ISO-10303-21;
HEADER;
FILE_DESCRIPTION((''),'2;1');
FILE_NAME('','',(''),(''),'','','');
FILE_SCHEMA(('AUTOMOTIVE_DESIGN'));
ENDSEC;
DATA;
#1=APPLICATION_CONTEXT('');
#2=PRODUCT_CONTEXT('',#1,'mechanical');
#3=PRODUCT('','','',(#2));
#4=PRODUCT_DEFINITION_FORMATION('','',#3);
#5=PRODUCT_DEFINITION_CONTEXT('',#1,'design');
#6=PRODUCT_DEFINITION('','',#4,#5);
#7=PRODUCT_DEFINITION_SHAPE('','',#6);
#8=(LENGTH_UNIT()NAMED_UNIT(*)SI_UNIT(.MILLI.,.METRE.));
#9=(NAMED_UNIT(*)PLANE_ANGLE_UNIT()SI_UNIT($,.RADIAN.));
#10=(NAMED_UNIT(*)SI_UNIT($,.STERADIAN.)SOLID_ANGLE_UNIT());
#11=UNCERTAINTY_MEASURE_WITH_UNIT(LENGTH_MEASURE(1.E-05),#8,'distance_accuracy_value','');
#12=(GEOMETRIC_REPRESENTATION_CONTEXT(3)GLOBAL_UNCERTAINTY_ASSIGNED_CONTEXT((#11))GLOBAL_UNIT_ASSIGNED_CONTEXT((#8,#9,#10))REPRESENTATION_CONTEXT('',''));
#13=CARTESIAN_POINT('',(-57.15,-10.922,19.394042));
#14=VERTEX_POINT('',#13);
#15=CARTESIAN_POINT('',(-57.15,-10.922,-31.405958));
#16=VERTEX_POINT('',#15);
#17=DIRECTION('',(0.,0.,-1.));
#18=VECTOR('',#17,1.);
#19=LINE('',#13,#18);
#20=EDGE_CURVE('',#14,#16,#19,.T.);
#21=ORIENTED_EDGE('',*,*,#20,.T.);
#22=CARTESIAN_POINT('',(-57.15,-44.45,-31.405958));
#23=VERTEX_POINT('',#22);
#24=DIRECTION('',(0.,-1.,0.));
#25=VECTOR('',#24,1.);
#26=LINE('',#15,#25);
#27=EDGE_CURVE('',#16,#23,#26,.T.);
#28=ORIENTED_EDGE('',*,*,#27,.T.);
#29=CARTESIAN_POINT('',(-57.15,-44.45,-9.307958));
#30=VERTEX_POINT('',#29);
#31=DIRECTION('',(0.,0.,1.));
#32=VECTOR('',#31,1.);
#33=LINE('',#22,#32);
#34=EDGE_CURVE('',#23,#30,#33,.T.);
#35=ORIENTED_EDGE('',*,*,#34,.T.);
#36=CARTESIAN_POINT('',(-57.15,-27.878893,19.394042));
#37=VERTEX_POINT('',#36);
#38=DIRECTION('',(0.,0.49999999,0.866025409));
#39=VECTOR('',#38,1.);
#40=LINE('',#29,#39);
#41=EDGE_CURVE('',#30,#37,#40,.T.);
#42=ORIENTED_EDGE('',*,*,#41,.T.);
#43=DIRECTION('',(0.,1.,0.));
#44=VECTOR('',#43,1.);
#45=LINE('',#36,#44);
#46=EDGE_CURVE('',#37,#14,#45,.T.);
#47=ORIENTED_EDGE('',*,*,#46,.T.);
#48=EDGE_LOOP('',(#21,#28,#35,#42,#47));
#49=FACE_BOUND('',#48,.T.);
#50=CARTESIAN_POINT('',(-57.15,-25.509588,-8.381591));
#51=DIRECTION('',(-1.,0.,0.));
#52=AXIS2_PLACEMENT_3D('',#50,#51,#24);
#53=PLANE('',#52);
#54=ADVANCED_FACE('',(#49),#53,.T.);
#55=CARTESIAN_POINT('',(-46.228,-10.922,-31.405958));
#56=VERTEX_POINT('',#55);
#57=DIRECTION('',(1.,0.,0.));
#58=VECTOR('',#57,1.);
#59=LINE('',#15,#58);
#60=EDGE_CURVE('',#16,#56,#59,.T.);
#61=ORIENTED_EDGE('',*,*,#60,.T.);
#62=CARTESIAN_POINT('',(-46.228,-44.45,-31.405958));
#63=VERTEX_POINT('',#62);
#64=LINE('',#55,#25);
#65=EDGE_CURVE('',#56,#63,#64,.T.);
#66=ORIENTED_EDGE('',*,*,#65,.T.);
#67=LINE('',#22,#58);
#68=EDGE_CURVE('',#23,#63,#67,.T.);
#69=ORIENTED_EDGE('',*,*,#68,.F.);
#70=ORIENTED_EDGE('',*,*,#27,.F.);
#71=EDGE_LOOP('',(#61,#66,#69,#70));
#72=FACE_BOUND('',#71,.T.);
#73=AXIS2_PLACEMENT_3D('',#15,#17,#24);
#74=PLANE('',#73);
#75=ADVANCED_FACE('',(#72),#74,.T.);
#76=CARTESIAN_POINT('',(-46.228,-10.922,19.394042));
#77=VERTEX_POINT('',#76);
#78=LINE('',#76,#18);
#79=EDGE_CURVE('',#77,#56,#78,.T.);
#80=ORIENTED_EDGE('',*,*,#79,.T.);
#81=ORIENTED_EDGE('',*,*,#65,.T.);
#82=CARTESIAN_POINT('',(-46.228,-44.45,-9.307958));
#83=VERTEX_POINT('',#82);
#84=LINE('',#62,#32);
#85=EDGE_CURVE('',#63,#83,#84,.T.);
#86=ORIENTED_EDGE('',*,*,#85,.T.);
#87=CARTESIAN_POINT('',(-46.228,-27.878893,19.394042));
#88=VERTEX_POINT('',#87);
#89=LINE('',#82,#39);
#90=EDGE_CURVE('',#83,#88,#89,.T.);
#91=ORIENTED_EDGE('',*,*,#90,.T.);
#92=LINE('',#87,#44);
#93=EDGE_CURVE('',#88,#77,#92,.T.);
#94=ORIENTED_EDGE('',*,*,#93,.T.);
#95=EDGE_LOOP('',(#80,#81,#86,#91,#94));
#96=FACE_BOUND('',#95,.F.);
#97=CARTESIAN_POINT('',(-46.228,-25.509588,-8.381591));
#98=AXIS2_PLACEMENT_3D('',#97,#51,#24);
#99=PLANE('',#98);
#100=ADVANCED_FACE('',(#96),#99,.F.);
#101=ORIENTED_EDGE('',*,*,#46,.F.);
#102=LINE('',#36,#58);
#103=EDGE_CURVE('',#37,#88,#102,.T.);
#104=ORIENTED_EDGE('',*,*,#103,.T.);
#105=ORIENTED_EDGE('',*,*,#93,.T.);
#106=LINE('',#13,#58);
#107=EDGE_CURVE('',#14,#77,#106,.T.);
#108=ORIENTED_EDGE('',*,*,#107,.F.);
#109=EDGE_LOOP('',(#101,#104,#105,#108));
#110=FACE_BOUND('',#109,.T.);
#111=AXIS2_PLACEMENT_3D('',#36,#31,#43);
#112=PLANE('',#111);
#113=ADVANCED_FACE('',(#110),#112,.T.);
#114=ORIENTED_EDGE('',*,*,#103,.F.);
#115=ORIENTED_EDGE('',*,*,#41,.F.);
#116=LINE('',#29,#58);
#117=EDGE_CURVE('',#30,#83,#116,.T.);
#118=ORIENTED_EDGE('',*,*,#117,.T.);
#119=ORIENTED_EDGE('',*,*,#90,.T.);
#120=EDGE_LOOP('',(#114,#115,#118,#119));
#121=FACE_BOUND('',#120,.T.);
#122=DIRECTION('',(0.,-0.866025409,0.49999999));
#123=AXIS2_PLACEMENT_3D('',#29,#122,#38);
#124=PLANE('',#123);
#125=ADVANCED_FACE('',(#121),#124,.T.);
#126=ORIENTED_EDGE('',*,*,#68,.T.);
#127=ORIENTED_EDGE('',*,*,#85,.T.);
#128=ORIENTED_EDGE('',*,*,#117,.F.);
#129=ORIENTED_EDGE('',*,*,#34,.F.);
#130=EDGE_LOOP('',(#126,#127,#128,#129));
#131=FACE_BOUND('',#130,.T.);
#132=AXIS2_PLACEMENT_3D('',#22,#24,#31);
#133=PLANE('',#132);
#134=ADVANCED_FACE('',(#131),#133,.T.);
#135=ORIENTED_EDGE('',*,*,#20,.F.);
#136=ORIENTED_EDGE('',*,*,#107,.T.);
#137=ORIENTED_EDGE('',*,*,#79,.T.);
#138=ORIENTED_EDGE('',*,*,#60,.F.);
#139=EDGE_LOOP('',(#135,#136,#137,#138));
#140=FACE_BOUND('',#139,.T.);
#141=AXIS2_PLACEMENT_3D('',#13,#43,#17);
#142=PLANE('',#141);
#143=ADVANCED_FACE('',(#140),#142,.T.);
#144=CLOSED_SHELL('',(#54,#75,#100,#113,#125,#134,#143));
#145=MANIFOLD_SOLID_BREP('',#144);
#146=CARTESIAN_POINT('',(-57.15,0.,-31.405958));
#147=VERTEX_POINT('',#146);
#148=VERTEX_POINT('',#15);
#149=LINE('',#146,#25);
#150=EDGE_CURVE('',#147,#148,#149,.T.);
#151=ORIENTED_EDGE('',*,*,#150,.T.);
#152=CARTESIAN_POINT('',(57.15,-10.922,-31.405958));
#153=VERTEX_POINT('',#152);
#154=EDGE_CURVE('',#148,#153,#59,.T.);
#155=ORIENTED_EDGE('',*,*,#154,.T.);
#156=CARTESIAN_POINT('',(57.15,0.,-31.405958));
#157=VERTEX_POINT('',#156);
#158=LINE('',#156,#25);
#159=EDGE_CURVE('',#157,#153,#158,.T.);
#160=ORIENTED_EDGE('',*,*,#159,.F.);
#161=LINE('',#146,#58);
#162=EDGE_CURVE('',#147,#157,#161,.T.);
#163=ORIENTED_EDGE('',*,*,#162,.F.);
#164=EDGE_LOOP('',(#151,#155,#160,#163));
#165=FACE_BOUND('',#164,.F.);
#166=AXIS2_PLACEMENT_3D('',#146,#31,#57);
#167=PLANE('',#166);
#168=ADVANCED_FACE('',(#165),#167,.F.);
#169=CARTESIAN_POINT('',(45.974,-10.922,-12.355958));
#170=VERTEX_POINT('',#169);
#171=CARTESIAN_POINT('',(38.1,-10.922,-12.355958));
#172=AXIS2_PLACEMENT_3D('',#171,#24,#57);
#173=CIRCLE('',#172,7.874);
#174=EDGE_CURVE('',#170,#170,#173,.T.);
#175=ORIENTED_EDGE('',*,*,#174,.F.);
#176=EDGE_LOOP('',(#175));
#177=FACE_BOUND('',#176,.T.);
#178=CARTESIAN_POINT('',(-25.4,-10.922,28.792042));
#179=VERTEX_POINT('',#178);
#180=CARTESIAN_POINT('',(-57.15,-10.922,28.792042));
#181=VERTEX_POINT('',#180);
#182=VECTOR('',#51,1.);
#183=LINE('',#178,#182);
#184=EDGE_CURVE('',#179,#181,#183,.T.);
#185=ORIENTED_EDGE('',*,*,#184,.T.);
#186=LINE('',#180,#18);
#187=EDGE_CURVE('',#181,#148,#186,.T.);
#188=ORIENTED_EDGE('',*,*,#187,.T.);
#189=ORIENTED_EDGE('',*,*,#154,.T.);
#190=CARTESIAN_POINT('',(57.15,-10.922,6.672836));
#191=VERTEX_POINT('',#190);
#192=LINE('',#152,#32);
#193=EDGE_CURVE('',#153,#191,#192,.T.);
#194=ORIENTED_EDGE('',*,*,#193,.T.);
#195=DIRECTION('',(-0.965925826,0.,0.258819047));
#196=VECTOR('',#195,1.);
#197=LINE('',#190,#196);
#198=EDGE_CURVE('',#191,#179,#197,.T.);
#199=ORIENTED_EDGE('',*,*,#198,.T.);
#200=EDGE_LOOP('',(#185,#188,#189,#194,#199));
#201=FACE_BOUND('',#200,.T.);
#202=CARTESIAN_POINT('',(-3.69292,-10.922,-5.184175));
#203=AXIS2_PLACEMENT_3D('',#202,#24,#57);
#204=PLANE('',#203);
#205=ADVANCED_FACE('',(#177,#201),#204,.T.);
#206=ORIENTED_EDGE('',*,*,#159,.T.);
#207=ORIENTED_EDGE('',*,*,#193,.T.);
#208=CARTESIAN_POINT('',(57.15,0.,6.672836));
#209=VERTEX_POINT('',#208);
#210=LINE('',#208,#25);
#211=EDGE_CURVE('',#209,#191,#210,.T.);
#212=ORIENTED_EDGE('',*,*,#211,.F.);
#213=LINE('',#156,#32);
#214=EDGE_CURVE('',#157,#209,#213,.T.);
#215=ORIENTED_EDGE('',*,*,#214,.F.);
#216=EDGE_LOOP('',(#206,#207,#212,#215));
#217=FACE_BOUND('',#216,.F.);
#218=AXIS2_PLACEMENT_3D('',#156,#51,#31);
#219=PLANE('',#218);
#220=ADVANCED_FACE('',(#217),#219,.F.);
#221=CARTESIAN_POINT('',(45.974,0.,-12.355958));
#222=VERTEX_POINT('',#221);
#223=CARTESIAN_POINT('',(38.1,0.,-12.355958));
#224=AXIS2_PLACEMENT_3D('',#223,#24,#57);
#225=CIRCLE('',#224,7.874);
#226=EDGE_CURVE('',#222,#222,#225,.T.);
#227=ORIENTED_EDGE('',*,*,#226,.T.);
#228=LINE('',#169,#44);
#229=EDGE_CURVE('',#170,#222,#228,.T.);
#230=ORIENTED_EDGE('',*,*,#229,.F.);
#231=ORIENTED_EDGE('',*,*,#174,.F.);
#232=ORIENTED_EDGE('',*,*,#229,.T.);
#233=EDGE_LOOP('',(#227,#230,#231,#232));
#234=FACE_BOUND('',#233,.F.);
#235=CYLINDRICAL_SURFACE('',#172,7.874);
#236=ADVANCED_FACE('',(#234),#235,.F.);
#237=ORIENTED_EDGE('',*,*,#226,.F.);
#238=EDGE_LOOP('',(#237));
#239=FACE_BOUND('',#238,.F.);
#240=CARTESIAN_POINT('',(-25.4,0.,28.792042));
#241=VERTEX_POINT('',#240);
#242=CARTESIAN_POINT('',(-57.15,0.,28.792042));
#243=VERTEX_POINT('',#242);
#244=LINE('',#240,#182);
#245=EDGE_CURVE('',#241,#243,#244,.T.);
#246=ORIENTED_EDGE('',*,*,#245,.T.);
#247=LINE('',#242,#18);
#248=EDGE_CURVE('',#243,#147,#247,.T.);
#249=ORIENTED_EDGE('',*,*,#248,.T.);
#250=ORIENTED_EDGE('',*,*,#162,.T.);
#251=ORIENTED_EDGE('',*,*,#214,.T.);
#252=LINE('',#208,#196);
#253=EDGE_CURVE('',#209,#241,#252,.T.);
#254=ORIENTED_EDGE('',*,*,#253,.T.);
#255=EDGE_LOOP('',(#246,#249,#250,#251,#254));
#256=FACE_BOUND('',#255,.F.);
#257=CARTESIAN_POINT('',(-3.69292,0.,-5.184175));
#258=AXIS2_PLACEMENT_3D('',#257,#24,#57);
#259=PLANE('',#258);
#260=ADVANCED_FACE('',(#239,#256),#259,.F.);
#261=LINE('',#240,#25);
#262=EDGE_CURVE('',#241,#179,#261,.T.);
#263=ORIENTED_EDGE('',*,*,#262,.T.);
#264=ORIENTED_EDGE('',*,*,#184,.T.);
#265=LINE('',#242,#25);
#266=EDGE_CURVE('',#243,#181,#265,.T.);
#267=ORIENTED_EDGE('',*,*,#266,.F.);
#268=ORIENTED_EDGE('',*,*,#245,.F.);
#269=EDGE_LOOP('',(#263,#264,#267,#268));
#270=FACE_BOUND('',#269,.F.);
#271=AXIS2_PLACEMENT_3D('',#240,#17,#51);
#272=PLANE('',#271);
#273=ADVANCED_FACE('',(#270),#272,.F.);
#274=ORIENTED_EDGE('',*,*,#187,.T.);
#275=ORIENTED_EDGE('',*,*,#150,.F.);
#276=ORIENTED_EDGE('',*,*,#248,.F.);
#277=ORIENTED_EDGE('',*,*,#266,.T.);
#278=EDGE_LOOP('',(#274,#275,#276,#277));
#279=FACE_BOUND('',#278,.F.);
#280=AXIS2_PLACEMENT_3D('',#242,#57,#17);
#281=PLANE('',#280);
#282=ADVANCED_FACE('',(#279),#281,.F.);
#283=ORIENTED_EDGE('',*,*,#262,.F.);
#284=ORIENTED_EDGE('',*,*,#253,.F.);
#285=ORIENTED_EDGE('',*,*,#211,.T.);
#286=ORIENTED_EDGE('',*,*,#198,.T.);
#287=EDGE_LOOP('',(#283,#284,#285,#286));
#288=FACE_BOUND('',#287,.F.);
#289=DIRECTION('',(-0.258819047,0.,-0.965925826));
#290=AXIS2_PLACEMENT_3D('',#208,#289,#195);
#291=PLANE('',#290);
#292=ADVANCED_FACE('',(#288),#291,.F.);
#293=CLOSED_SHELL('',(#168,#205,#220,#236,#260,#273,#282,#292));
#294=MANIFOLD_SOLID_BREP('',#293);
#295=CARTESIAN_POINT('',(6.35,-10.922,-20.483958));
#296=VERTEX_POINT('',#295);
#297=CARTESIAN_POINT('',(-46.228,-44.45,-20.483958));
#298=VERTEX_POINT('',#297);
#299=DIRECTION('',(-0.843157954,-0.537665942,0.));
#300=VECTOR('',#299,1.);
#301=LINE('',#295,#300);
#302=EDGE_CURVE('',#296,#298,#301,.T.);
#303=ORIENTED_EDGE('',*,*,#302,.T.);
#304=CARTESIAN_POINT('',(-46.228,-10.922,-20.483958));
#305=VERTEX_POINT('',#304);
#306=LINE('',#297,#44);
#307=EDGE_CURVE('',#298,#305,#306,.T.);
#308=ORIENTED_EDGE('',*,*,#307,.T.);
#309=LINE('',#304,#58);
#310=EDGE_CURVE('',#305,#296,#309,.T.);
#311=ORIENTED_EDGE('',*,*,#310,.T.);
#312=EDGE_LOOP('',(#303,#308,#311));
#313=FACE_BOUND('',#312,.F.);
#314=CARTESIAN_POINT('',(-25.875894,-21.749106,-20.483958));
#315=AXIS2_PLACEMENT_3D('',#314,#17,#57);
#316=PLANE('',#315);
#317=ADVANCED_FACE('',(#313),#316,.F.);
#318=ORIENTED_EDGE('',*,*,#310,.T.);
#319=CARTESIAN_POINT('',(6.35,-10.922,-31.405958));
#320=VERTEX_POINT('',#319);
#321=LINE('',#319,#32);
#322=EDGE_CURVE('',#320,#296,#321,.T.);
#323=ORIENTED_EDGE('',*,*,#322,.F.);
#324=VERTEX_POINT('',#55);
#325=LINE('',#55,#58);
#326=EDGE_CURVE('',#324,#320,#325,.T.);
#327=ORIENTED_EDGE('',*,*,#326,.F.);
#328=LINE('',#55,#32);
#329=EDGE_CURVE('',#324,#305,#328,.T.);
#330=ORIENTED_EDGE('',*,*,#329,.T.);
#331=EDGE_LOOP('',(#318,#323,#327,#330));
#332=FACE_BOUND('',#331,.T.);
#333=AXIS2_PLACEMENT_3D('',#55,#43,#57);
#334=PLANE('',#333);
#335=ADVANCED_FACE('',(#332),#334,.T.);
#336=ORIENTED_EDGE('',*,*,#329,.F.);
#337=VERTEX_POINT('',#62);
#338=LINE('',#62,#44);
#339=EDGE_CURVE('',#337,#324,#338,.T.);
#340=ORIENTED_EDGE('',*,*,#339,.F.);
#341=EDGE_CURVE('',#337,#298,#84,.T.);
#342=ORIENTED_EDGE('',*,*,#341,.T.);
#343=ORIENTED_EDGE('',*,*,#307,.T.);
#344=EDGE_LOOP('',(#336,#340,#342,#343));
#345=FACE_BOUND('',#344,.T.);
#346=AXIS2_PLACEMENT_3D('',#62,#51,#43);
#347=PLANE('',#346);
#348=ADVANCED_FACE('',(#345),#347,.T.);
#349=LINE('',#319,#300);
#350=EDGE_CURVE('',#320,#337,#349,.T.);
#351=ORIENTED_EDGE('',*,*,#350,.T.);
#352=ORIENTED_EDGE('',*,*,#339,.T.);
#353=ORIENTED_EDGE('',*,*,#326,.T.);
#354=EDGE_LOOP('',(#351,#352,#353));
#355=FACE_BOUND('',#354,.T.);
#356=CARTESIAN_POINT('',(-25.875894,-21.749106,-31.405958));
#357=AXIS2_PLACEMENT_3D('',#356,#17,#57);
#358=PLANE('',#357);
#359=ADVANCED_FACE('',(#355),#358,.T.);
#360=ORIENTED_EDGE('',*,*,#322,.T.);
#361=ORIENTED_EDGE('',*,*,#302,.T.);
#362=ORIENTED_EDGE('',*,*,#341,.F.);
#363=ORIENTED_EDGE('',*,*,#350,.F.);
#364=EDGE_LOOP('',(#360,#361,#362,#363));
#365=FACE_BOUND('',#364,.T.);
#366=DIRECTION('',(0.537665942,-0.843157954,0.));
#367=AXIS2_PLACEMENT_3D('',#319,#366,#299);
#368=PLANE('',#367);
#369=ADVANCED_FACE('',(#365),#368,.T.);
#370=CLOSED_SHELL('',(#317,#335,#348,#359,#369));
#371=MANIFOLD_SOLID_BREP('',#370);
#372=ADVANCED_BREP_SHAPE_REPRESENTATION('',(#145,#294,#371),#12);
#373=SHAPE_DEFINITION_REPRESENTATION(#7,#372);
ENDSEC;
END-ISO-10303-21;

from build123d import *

# Parameters (mm, degrees)
F1_DEPTH = 10.922
F2_R     = 7.874
F3_DEPTH = 10.923
F5_DEPTH = 10.922
F7_DEPTH = 10.922


with BuildPart() as f1:
    # F0 (on Front) → F1 (new body)
    with BuildSketch(Plane.XZ):
        Polygon((-57.15, -31.405958), (57.15, -31.405958), (57.15, 6.672836), (-25.4, 28.792042), (-57.15, 28.792042), align=None)
    extrude(amount=F1_DEPTH)

    # F2 (on face) → F3 (cut, through all)
    with BuildSketch(Plane.XZ.offset(10.922)):
        with Locations((38.1, -12.355958)):
            Circle(F2_R)
    extrude(amount=-F3_DEPTH, mode=Mode.SUBTRACT)


with BuildPart() as f5:
    # F4 (on face) → F5 (new body)
    with BuildSketch(Plane(origin=(0, 0, -31.405958), x_dir=(1, 0, 0), z_dir=(0, 0, -1))):
        Polygon((-46.228, 44.45), (-46.228, 10.922), (6.35, 10.922), align=None)
    extrude(amount=-F5_DEPTH)


with BuildPart() as f7:
    # F6 (on face) → F7 (new body)
    with BuildSketch(Plane(origin=(-57.15, 0, 0), x_dir=(0, -1, 0), z_dir=(-1, 0, 0))):
        Polygon((10.922, 19.394042), (10.922, -31.405958), (44.45, -31.405958), (44.45, -9.307958), (27.878893, 19.394042), align=None)
    extrude(amount=-F7_DEPTH)


solid = Compound([f1.part, f5.part, f7.part])
